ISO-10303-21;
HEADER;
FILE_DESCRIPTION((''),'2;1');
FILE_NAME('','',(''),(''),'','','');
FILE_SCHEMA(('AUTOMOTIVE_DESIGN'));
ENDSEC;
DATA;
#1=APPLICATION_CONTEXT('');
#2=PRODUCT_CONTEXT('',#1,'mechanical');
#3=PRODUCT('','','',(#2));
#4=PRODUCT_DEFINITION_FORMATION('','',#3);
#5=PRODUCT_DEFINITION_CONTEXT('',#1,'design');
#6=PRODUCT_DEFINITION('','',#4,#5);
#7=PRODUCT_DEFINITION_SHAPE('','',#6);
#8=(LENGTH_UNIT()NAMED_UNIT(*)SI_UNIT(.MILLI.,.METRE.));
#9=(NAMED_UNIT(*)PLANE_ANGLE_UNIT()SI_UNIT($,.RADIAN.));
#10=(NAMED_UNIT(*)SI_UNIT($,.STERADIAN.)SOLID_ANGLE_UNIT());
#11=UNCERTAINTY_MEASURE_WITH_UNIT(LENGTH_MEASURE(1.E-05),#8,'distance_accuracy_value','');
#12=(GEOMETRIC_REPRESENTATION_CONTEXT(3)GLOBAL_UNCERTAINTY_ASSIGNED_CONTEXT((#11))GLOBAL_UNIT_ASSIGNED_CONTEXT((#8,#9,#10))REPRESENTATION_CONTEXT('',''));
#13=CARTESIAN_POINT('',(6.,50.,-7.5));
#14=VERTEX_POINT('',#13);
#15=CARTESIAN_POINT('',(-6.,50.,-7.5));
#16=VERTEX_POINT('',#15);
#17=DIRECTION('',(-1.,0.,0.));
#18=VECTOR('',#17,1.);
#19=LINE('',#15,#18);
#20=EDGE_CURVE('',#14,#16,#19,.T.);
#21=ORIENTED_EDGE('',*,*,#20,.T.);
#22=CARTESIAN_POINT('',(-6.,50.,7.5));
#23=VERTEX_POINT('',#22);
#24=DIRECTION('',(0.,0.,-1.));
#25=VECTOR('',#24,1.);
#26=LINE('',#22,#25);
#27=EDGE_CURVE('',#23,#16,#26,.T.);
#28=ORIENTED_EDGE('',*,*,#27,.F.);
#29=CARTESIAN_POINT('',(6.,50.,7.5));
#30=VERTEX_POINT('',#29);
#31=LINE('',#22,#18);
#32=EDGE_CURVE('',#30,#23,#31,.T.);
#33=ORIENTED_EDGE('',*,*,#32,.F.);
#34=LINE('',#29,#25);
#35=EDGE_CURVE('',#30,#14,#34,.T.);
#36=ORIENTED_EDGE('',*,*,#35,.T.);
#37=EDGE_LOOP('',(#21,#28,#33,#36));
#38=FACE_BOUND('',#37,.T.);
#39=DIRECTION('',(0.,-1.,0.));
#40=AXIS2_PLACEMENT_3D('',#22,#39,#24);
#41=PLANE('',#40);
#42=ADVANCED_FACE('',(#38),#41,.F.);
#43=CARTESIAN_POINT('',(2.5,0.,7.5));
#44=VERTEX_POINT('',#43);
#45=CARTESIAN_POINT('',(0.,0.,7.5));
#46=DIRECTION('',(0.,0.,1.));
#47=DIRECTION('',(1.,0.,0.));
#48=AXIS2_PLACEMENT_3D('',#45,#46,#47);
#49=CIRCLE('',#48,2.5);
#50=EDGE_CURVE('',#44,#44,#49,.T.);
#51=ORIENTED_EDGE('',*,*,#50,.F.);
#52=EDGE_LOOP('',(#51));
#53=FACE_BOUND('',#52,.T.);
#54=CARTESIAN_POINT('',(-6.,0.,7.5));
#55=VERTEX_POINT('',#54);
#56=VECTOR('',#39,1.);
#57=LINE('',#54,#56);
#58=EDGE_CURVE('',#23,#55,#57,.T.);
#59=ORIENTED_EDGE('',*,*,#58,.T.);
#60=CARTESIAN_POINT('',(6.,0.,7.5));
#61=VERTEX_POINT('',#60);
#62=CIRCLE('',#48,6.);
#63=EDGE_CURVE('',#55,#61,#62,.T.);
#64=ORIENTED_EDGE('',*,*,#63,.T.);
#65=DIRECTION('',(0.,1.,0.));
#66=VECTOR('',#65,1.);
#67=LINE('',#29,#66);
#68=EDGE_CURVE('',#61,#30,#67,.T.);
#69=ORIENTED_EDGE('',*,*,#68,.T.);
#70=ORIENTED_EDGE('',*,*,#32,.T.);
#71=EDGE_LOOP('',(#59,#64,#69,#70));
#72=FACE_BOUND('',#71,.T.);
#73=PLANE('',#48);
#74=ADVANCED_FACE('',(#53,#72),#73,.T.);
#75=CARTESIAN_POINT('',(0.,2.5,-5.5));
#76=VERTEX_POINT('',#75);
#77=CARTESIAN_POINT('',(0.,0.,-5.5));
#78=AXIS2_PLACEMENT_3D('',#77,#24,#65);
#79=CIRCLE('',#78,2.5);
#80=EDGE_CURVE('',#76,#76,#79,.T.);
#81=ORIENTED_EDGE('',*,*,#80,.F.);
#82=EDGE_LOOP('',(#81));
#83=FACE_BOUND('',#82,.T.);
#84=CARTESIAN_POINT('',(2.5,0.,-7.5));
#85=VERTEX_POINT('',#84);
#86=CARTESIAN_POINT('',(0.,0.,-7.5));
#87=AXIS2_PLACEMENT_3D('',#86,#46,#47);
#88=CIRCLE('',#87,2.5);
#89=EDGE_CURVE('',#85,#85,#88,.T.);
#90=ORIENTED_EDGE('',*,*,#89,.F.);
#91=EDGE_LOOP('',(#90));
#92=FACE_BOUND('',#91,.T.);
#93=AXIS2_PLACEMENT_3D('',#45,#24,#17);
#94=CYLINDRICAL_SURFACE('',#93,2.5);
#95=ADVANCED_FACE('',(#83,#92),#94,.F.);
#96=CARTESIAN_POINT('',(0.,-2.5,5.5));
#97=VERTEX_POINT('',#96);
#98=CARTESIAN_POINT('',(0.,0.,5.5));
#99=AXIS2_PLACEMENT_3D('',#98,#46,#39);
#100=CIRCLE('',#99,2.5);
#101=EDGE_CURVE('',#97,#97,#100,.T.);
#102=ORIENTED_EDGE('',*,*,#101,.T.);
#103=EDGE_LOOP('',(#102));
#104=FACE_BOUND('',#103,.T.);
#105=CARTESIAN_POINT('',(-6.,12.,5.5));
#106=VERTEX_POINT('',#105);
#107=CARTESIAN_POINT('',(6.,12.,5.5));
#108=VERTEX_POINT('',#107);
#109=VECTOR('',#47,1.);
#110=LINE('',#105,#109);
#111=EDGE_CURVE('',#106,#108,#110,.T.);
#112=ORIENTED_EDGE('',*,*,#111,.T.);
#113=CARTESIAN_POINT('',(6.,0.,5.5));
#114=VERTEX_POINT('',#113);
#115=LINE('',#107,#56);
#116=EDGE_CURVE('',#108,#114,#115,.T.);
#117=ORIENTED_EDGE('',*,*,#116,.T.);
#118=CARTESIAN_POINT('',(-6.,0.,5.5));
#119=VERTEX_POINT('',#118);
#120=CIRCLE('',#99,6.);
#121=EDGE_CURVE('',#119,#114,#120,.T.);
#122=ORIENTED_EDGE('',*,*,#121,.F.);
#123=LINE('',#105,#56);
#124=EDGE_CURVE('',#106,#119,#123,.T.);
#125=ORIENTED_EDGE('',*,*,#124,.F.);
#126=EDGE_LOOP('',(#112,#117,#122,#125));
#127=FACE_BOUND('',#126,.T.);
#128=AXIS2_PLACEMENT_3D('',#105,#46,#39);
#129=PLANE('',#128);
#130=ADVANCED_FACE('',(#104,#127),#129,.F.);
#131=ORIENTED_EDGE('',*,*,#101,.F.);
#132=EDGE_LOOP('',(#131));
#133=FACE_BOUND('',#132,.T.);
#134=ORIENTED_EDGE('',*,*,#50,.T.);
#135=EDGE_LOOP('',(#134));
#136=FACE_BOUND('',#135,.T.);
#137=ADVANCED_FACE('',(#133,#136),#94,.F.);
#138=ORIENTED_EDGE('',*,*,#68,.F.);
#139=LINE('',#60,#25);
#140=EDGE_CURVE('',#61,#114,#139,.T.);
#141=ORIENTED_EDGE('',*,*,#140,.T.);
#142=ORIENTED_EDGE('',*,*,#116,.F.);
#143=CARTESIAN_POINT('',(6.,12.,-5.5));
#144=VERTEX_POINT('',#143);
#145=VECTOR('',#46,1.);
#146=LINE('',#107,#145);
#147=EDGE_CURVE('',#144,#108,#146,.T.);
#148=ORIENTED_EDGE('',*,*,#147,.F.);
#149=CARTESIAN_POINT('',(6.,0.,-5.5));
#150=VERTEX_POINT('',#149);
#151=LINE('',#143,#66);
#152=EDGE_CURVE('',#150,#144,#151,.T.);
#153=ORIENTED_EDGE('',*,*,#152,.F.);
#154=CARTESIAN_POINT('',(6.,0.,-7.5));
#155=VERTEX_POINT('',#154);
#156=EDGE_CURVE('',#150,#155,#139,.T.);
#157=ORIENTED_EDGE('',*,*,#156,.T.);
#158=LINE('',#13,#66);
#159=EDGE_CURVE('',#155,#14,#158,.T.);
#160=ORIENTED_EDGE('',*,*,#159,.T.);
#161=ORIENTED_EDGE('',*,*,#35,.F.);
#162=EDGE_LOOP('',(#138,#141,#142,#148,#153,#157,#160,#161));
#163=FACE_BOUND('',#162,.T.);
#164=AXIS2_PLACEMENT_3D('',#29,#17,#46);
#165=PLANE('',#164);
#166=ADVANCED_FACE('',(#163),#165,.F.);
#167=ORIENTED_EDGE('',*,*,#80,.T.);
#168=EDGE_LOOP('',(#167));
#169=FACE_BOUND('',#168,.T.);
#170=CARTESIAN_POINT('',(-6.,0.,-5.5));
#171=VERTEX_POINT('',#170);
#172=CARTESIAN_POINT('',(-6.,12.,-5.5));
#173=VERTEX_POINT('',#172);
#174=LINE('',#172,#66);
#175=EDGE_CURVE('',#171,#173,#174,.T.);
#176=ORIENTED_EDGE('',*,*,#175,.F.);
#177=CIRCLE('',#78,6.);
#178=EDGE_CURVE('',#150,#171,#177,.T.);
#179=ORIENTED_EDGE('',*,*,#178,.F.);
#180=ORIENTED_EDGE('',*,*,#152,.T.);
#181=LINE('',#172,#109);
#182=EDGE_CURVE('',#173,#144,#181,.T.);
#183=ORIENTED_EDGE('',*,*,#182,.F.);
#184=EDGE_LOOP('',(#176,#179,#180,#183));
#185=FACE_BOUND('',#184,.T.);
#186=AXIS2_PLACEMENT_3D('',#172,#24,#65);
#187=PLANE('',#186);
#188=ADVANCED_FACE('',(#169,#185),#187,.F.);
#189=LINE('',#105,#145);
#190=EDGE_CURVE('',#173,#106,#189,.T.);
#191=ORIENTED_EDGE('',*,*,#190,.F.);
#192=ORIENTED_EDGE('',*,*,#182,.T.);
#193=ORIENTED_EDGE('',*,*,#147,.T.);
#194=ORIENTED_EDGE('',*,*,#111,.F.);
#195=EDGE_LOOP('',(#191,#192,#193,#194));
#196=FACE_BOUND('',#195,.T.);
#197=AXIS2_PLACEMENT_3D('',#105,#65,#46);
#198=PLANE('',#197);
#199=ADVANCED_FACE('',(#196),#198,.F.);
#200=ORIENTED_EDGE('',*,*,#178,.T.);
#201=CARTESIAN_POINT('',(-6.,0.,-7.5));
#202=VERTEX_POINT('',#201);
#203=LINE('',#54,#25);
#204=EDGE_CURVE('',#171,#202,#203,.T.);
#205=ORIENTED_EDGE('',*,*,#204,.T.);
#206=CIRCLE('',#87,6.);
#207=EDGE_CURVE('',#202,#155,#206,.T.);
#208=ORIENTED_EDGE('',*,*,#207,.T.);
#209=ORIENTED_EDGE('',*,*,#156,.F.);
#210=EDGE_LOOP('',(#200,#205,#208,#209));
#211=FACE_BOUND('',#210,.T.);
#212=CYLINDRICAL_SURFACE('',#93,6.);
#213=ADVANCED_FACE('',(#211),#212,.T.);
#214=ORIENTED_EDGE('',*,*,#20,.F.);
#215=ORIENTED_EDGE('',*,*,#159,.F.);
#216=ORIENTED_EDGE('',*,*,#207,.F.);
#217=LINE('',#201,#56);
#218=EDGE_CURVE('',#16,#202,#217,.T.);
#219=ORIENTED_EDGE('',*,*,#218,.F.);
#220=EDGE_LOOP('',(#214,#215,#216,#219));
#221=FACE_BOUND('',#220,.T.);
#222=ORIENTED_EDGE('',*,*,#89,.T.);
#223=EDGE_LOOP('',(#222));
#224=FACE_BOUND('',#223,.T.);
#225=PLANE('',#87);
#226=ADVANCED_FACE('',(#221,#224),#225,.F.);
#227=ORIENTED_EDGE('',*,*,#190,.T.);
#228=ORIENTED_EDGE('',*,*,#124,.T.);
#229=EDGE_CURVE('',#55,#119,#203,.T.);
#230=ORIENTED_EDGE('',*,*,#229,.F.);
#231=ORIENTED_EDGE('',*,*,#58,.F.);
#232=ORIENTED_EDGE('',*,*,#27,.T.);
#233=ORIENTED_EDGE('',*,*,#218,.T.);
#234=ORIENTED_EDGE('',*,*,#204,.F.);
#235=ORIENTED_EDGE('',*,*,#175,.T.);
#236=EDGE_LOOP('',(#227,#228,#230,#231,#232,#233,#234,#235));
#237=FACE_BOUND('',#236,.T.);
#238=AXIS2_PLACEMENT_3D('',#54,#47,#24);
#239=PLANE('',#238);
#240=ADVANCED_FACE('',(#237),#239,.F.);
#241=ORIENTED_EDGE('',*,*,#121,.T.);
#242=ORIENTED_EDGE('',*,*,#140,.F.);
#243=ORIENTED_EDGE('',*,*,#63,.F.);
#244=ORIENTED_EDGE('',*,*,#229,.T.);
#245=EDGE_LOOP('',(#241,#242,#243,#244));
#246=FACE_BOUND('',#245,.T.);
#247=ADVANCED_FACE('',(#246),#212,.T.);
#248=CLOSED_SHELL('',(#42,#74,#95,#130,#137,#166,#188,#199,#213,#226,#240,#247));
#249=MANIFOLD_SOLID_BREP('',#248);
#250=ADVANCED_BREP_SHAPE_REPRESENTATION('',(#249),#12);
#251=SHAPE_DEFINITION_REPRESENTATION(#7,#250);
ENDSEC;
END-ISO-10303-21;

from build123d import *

# Parameters (mm, degrees)
SKETCH1_R               = 2.5
BOSS_EXTRUDE2_DEPTH     = 7.5
CUT_EXTRUDE1_DEPTH      = 51.914143418
CUT_EXTRUDE1_DEPTH_BACK = 51.914143418
SKETCH2_W               = 11
SKETCH2_H               = 34.501138588


with BuildPart() as part:
    # Sketch1 → Boss-Extrude2 (new, symmetric)
    with BuildSketch(Plane.XY):
        with BuildLine():
            Line((-6, 0), (-6, 50))
            Line((-6, 50), (6, 50))
            Line((6, 50), (6, 0))
            ThreePointArc((6, 0), (0, -6), (-6, 0))
        make_face()
        Circle(SKETCH1_R, mode=Mode.SUBTRACT)
    extrude(amount=BOSS_EXTRUDE2_DEPTH, both=True)

    # Sketch2 → Cut-Extrude1 (cut, two sides: drawn at the far end of the back side and taken through both)
    with BuildSketch(Plane(origin=(0, 0, 0), x_dir=(0, 0, -1), z_dir=(1, 0, 0)).offset(-CUT_EXTRUDE1_DEPTH_BACK)):
        with Locations((0, -5.250569294)):
            Rectangle(SKETCH2_W, SKETCH2_H)
    extrude(amount=CUT_EXTRUDE1_DEPTH + CUT_EXTRUDE1_DEPTH_BACK, mode=Mode.SUBTRACT)


solid = part.part
